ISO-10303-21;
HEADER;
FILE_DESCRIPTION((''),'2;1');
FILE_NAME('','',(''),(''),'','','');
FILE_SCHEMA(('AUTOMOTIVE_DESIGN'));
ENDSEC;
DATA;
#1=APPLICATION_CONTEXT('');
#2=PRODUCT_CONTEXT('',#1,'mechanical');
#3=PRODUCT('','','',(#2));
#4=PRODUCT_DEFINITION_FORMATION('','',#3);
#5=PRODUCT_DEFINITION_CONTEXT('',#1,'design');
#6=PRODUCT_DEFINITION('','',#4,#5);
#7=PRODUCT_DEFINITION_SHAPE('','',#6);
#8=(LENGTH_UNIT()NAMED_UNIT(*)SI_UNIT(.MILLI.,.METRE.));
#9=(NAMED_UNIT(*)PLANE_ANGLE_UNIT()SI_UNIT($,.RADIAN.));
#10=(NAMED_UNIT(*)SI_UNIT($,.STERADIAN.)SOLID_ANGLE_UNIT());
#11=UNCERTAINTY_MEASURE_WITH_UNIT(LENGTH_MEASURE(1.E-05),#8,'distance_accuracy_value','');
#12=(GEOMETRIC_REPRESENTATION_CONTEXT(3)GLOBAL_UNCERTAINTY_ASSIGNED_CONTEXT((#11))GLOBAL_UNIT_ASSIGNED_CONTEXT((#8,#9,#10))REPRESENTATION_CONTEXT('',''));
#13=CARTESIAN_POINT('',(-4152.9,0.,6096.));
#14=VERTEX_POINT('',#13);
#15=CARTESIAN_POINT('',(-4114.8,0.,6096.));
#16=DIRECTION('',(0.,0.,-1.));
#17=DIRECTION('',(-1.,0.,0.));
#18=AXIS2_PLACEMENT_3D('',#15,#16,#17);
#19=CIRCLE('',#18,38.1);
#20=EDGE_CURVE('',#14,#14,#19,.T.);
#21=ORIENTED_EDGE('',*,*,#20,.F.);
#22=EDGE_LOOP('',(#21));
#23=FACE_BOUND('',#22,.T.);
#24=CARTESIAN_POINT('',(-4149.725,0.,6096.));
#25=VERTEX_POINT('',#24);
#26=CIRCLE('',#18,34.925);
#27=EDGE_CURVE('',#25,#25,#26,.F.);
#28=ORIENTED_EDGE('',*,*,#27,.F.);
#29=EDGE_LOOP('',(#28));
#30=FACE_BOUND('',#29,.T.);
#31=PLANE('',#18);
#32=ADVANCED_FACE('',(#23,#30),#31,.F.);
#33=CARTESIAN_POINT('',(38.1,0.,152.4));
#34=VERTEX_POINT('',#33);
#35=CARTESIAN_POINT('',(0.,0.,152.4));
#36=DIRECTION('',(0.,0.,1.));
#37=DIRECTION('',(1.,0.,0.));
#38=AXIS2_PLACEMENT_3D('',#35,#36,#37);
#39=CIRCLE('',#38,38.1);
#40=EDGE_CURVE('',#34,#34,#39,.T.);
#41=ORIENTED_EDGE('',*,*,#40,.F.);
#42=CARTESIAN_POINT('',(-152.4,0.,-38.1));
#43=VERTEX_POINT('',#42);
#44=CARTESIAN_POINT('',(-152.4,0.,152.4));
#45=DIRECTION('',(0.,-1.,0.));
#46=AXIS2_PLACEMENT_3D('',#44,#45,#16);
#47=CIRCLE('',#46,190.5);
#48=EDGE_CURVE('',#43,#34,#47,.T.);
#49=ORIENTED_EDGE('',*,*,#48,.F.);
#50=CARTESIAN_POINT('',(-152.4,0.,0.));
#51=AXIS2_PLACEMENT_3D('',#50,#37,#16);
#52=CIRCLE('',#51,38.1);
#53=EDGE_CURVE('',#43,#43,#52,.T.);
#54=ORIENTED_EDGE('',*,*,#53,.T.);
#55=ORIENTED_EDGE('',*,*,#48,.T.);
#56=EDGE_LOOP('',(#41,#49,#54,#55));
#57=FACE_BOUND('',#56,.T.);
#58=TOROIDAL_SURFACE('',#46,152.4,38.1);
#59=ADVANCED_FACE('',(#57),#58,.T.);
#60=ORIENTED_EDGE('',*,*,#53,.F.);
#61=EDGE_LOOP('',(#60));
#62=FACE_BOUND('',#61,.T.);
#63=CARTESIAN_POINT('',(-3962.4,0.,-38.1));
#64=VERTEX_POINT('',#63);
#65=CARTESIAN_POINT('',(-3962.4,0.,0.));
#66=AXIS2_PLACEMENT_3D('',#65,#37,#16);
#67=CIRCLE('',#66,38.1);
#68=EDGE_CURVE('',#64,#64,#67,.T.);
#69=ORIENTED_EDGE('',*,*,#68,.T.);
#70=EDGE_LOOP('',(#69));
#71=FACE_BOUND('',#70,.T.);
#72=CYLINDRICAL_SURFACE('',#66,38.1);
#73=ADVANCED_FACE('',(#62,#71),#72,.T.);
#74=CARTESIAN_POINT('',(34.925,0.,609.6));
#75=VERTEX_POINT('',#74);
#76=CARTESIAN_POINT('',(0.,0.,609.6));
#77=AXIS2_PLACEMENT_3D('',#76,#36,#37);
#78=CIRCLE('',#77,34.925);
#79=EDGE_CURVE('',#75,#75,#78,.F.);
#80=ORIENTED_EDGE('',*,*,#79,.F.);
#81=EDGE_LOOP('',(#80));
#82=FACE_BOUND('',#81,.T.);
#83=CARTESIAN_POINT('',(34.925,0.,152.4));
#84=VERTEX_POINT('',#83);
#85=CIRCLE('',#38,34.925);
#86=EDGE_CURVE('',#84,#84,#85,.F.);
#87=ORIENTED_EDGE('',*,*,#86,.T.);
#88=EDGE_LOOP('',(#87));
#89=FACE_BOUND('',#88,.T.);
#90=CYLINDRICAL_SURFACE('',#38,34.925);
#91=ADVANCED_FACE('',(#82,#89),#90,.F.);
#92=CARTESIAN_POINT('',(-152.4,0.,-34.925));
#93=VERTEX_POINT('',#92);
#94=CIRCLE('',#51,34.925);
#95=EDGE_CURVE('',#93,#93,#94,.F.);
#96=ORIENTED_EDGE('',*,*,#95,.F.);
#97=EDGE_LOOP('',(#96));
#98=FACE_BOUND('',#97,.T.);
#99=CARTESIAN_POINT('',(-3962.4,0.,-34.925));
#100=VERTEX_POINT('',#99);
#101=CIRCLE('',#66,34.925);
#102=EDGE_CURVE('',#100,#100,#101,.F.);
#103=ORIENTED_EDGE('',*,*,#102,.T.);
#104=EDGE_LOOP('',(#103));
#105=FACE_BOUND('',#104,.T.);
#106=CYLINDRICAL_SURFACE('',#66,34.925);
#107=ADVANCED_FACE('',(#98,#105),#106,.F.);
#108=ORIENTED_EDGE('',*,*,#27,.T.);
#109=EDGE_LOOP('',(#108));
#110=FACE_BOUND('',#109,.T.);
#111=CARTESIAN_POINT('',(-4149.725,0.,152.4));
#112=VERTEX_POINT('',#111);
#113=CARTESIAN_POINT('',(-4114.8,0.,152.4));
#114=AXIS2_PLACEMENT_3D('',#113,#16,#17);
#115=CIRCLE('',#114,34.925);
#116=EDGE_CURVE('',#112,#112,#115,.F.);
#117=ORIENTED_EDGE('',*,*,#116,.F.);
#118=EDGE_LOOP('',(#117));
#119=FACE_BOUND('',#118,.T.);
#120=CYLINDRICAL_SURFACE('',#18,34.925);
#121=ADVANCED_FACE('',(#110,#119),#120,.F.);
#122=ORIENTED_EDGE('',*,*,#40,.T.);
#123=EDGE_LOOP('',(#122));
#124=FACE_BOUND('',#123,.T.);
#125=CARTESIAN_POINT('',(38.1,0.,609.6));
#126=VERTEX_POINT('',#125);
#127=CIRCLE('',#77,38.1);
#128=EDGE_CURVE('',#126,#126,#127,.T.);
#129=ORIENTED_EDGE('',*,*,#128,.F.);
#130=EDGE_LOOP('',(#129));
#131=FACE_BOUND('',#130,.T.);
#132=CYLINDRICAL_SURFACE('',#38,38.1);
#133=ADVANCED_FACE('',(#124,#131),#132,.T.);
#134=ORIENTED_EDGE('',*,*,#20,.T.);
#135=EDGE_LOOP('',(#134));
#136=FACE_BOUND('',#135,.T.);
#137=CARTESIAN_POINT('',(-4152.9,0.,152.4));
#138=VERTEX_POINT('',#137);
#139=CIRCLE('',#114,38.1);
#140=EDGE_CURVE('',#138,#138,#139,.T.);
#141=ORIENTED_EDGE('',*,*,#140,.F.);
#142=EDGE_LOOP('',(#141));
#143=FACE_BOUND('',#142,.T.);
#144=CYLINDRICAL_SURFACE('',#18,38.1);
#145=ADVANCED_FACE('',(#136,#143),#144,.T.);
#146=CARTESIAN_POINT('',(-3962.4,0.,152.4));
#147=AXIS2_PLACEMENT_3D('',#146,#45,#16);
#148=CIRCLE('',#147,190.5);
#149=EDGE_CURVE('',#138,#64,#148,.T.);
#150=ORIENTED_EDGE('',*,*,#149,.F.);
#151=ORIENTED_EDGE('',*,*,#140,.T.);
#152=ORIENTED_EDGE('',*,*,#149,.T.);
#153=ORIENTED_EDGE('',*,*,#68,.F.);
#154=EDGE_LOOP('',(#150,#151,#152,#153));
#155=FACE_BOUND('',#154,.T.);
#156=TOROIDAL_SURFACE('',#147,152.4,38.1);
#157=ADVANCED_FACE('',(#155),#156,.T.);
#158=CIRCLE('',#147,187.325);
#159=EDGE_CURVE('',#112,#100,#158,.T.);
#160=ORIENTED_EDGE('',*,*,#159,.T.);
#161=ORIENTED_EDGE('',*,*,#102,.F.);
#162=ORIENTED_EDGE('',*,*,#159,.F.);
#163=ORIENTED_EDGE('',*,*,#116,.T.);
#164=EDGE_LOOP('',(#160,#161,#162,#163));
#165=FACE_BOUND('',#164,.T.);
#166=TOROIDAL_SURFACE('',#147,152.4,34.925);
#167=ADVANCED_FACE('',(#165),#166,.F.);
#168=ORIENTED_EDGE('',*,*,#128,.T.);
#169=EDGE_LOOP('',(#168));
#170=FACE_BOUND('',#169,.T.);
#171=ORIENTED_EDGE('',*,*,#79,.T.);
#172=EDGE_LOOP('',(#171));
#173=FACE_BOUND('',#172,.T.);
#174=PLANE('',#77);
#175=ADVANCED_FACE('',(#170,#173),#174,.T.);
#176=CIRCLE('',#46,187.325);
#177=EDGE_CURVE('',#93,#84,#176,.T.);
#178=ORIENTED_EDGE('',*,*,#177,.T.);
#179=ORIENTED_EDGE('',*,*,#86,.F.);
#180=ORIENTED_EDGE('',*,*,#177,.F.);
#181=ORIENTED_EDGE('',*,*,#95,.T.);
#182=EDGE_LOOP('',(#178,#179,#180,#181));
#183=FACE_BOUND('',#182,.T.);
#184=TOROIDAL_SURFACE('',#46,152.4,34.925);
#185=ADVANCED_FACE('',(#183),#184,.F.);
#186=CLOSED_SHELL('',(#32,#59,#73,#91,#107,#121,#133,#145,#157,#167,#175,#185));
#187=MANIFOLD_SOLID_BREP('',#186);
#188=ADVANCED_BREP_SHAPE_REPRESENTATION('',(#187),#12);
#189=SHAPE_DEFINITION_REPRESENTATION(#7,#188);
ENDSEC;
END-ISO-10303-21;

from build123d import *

# Parameters (mm, degrees)
SKETCH14_R   = 38.1
SKETCH14_R_2 = 34.925


with BuildPart() as part:
    # Sweep1: sweep along a path in Sketch13
    with BuildLine(Plane(origin=(0, 0, 0), x_dir=(1, 0, 0), z_dir=(0, 1, 0))) as sweep1_path:
        Line((-4114.8, -6096), (-4114.8, -152.4))
        ThreePointArc((-4114.8, -152.4), (-4070.163073453, -44.636926547), (-3962.4, 0))
        Line((-3962.4, 0), (-152.4, 0))
        ThreePointArc((-152.4, 0), (-44.636926547, -44.636926547), (0, -152.4))
        Line((0, -152.4), (0, -609.6))
    # Sketch14 → Sweep1 (sweep)
    with BuildSketch(Plane.XY.offset(609.6)):
        Circle(SKETCH14_R)
        Circle(SKETCH14_R_2, mode=Mode.SUBTRACT)
    sweep(path=sweep1_path.line)


solid = part.part
